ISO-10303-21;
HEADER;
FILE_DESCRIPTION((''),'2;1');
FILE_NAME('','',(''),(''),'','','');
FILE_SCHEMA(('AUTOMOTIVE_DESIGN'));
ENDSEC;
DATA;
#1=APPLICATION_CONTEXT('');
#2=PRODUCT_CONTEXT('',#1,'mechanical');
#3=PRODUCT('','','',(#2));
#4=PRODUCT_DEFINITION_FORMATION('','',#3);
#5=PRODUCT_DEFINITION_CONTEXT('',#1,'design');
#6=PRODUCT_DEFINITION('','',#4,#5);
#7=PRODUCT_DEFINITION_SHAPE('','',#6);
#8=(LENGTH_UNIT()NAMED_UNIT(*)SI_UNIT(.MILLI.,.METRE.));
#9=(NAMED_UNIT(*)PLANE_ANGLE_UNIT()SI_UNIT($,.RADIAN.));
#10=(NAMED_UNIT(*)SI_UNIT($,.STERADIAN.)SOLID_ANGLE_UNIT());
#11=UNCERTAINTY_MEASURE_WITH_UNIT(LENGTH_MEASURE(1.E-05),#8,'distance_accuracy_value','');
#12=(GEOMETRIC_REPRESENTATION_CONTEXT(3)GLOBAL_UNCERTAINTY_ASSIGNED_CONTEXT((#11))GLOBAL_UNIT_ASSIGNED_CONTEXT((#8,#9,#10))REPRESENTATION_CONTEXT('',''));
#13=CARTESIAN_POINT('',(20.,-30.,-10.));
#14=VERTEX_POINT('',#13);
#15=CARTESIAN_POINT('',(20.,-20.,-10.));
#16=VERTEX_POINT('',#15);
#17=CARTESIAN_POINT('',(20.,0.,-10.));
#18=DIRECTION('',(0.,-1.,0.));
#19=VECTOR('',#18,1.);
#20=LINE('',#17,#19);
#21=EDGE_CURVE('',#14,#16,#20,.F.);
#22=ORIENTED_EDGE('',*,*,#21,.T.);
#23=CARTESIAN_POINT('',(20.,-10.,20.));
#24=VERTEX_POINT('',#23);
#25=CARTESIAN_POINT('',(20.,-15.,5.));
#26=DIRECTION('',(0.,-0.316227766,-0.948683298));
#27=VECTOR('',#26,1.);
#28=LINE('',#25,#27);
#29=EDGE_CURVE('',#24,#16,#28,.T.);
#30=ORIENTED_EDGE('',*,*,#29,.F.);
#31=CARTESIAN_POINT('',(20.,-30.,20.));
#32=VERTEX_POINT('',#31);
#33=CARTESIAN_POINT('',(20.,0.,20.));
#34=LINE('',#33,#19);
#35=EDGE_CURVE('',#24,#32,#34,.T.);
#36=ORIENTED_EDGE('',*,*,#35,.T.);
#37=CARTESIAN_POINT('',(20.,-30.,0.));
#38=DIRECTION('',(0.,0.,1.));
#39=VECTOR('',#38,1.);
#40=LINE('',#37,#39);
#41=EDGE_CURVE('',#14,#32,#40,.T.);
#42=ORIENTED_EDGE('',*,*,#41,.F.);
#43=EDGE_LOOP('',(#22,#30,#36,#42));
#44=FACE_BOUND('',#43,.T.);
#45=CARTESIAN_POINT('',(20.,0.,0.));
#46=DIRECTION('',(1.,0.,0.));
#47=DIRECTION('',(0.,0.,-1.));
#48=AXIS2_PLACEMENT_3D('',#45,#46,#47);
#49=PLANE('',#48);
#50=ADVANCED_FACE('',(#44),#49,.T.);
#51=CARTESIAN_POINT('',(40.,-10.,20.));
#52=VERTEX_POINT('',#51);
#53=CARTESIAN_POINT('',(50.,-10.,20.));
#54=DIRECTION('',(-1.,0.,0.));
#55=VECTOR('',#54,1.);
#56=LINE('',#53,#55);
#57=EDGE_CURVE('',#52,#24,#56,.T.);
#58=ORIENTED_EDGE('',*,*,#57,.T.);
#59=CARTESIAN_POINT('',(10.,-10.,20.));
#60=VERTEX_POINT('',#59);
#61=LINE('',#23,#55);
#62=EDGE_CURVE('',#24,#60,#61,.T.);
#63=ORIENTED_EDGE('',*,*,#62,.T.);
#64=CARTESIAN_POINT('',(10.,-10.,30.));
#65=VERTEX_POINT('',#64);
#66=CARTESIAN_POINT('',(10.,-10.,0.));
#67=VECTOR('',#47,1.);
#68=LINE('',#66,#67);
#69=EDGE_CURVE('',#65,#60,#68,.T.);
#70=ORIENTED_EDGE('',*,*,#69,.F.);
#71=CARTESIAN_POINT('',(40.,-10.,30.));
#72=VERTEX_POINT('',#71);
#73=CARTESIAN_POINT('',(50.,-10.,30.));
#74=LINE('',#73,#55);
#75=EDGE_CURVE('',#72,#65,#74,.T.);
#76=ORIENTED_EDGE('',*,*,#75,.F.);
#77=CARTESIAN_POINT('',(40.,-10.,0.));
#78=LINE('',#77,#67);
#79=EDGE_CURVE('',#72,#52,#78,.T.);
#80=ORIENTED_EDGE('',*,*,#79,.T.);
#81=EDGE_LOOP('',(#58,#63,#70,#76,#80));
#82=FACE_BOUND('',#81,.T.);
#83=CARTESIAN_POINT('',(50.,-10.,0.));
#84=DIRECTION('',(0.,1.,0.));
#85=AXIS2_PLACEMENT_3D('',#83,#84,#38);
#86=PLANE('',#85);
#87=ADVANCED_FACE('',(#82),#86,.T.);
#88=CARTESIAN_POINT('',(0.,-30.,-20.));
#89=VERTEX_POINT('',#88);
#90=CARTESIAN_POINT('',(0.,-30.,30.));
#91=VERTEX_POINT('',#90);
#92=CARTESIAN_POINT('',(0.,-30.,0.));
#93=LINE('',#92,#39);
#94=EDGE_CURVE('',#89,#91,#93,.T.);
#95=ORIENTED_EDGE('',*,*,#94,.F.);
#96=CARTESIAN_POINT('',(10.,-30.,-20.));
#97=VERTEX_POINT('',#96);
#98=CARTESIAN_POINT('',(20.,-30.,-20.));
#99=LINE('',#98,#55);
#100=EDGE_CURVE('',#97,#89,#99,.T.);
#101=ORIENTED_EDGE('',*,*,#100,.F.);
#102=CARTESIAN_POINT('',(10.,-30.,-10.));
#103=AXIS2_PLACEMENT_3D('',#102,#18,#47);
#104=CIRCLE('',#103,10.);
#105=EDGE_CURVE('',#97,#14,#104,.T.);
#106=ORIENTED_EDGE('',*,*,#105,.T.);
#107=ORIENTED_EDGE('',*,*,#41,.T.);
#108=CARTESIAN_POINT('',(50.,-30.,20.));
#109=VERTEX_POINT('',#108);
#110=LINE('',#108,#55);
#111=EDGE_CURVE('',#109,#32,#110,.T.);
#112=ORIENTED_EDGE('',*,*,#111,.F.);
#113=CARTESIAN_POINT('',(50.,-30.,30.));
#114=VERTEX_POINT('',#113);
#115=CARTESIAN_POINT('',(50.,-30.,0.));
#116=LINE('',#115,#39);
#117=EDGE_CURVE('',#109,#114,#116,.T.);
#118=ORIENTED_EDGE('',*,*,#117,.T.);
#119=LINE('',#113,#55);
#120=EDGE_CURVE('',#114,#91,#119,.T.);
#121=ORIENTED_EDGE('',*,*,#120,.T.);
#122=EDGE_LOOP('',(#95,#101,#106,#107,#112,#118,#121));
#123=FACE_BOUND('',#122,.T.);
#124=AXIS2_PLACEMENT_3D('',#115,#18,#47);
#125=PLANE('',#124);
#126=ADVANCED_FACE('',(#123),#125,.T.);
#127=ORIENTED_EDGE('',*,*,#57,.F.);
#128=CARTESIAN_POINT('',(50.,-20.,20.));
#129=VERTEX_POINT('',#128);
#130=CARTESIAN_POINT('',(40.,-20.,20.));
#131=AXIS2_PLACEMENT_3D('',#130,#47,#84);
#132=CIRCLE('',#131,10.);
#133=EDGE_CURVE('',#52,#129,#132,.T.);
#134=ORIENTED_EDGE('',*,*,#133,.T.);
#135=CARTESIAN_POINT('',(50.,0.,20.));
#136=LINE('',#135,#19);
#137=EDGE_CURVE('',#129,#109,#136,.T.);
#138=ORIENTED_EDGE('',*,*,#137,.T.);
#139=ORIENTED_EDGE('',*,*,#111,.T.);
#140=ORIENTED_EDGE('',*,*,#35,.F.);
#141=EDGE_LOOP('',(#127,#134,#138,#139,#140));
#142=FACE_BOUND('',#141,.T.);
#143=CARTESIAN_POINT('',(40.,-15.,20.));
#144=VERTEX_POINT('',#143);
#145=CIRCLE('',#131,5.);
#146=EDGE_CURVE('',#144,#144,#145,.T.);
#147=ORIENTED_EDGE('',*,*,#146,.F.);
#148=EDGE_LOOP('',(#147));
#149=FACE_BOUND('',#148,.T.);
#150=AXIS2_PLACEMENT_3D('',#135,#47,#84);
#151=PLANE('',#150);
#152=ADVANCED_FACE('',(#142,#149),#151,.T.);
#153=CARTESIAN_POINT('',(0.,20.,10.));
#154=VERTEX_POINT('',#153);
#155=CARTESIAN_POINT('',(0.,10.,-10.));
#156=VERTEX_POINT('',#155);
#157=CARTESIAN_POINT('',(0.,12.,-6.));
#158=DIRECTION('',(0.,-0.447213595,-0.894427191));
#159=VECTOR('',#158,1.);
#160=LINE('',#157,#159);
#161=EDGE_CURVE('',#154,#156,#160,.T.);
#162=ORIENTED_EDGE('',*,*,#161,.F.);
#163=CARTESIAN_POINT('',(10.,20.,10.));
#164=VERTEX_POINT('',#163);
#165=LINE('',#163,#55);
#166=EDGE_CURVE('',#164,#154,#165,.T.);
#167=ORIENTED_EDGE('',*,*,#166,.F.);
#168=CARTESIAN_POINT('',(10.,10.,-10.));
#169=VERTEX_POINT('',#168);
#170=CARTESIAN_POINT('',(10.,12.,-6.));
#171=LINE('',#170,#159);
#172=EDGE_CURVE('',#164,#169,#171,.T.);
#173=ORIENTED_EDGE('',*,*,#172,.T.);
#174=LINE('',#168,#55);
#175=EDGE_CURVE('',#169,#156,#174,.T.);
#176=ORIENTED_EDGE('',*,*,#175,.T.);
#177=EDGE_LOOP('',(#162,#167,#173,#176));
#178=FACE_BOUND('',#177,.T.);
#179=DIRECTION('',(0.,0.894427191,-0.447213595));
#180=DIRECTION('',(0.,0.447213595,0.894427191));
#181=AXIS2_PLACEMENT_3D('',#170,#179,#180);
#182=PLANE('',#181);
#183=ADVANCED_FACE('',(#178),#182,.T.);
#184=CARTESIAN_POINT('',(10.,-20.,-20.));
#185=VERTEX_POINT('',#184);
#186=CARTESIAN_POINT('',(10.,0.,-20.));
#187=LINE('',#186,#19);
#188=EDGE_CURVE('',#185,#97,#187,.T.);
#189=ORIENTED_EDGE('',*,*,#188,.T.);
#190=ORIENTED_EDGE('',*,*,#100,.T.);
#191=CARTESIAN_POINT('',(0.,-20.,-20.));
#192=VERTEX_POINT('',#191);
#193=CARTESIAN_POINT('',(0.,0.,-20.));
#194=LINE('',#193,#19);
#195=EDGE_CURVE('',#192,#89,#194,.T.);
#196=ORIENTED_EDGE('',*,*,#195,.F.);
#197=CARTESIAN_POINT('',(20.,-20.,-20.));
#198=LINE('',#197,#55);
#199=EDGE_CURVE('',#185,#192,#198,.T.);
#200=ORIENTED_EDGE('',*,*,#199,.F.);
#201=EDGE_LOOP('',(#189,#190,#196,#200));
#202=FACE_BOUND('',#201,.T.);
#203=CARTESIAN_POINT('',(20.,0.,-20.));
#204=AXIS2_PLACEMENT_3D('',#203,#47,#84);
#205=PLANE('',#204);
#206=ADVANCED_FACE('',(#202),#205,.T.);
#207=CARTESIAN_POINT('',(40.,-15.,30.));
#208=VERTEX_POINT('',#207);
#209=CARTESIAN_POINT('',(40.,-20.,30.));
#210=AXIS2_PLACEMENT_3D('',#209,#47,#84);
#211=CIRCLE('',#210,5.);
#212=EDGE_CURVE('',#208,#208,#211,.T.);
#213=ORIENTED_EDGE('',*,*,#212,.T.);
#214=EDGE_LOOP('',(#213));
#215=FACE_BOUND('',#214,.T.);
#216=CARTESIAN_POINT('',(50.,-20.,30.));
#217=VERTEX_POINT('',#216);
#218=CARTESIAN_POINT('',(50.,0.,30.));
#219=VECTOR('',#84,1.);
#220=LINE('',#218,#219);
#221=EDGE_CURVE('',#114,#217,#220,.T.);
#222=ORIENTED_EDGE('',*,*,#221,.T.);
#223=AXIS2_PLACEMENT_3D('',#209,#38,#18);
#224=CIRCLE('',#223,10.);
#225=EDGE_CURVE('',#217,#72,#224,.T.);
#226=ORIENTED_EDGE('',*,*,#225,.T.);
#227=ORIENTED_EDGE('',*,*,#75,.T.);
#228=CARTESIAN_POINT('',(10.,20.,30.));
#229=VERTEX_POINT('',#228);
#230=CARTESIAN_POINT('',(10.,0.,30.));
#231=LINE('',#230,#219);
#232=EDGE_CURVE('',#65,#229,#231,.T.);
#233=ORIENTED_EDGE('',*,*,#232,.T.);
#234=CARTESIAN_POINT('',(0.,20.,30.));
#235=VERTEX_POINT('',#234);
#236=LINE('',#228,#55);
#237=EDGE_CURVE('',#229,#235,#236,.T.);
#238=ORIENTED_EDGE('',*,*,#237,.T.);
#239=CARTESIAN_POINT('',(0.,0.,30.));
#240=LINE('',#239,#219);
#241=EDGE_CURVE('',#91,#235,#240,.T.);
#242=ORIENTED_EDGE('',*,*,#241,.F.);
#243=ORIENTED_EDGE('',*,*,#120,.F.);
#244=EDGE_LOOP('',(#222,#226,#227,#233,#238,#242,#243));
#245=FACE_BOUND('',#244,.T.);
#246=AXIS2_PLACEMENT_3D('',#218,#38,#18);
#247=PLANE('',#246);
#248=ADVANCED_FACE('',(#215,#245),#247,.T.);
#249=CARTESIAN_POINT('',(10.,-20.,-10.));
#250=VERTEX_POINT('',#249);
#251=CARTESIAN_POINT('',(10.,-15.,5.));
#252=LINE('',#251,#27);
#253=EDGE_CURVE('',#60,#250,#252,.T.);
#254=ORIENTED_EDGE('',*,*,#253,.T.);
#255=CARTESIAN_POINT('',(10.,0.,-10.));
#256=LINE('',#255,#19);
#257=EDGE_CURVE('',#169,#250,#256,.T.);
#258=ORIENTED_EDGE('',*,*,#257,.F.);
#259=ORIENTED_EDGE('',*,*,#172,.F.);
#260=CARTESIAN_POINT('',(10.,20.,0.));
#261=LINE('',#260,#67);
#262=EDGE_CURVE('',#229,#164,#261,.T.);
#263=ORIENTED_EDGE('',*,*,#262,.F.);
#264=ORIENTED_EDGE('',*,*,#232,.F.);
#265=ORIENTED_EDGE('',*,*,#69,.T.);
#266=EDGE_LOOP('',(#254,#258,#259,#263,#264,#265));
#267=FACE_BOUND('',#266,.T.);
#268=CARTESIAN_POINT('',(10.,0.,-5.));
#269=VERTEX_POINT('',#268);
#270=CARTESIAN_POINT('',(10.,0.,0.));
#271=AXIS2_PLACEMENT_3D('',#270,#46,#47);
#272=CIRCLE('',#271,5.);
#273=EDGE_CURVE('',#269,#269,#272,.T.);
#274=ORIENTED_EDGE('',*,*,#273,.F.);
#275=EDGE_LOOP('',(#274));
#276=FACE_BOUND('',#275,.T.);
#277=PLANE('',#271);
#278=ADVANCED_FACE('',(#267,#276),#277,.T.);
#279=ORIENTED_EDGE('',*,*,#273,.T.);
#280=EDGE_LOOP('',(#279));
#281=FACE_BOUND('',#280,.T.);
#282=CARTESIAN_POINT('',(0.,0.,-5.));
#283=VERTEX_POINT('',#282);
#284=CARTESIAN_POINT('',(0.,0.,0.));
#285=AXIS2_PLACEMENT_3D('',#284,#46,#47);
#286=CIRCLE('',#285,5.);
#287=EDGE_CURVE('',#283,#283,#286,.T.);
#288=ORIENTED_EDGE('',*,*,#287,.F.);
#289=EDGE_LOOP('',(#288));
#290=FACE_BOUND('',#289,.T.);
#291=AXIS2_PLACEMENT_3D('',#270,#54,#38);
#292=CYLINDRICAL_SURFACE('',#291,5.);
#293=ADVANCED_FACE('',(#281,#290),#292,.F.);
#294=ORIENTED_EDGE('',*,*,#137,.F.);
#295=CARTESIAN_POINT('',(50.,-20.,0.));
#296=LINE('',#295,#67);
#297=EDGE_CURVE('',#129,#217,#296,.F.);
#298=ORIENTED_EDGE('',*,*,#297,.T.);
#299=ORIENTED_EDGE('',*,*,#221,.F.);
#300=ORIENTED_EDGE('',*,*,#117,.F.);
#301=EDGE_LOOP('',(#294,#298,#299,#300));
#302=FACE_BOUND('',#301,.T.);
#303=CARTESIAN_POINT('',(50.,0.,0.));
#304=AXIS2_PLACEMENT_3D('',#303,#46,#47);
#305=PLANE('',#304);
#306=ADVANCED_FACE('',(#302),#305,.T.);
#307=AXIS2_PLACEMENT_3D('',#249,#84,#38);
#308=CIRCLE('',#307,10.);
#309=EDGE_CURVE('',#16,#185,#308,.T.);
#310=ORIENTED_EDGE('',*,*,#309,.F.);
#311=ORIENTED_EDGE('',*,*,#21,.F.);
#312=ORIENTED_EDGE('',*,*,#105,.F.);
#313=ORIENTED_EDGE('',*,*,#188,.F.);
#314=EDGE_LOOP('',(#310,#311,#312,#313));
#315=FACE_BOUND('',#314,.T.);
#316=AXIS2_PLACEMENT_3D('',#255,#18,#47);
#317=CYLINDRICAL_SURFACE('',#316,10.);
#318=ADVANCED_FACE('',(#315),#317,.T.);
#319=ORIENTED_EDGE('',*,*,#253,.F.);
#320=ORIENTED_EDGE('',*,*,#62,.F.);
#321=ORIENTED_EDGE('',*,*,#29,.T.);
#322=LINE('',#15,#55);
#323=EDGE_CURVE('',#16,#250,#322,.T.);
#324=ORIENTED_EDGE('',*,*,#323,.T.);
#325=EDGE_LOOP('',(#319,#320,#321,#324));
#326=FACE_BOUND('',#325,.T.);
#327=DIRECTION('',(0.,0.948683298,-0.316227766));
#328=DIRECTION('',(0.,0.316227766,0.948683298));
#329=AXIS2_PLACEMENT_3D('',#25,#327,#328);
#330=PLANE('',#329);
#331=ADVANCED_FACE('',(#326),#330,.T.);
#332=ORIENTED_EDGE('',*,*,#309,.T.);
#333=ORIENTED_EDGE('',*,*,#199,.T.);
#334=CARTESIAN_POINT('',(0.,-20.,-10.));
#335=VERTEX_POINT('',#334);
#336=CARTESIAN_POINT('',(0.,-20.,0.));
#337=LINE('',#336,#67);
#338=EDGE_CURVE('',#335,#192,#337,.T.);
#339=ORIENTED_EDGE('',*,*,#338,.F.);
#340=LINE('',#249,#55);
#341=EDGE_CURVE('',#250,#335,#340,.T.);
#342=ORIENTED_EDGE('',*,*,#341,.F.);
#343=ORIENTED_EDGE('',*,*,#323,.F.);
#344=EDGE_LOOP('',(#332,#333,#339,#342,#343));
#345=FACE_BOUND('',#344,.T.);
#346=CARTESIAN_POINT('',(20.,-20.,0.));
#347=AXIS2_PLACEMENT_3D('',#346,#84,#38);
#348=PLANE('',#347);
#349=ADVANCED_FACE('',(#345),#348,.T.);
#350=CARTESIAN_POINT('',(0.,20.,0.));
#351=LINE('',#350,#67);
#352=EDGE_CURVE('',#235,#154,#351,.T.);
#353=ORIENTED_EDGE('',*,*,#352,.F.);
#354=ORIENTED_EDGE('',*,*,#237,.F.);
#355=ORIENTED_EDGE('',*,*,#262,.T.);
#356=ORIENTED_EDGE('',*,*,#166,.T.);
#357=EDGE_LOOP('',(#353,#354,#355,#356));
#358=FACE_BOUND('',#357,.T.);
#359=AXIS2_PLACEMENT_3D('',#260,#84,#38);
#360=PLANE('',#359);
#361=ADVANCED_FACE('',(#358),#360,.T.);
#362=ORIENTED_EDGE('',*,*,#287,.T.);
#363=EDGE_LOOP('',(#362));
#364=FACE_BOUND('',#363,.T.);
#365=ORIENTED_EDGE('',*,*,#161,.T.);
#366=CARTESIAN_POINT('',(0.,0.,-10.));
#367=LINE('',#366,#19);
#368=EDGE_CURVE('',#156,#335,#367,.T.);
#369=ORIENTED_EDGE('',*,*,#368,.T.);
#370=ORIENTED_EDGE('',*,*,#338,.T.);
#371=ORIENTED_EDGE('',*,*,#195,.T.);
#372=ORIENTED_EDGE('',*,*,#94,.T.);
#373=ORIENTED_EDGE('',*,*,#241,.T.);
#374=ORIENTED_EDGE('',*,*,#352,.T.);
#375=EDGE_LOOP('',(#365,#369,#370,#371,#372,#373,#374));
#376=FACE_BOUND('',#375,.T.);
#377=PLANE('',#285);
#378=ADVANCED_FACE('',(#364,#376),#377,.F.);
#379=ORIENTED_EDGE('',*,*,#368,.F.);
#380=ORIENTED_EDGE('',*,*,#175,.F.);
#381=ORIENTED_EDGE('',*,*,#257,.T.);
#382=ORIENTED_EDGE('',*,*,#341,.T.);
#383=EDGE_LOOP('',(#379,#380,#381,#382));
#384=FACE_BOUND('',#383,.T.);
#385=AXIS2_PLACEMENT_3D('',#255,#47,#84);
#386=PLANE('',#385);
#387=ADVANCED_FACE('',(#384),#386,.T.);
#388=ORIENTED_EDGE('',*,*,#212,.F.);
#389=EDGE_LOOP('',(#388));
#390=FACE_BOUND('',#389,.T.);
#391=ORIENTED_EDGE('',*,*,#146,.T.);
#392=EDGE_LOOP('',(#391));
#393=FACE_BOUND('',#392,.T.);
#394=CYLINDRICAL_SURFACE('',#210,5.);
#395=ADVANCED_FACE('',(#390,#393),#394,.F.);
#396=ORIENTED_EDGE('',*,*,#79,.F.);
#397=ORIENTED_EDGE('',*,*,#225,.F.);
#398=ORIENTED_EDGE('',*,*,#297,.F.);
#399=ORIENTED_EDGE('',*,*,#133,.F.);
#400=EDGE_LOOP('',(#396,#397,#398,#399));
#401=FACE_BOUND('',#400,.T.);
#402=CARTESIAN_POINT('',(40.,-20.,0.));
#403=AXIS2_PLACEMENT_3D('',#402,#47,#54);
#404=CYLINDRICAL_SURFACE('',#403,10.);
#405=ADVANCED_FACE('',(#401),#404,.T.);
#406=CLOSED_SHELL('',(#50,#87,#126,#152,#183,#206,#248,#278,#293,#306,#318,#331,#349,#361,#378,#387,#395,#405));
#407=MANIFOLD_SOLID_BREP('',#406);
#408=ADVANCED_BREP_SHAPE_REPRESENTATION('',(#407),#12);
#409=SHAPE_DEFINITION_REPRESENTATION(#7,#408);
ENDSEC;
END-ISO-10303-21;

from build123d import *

# Parameters (mm, degrees)
SKETCH1_W           = 10
SKETCH1_H           = 20
BOSS_EXTRUDE1_DEPTH = 50
BOSS_EXTRUDE2_DEPTH = 20
SKETCH1_4_R         = 5
BOSS_EXTRUDE3_DEPTH = 10
FILLET1_R           = 10
SKETCH2_R           = 5
CUT_EXTRUDE1_DEPTH  = 10


with BuildPart() as part:
    # Sketch1 → Boss-Extrude1 (new body)
    with BuildSketch(Plane(origin=(0, 0, 0), x_dir=(0, 0, -1), z_dir=(1, 0, 0))):
        with Locations((-25, -20)):
            Rectangle(SKETCH1_W, SKETCH1_H)
    extrude(amount=BOSS_EXTRUDE1_DEPTH)

    # Sketch1<3> → Boss-Extrude2 (add)
    with BuildSketch(Plane(origin=(0, 0, 0), x_dir=(0, 0, -1), z_dir=(1, 0, 0))):
        Polygon((10, -20), (-20, -10), (-20, -30), (20, -30), (20, -20), align=None)
    extrude(amount=BOSS_EXTRUDE2_DEPTH)

    # Sketch1<4> → Boss-Extrude3 (add)
    with BuildSketch(Plane(origin=(0, 0, 0), x_dir=(0, 0, -1), z_dir=(1, 0, 0))):
        Polygon((-10, 20), (-30, 20), (-30, -10), (-20, -10), (10, -20), (10, 10), align=None)
        Circle(SKETCH1_4_R, mode=Mode.SUBTRACT)
    extrude(amount=BOSS_EXTRUDE3_DEPTH)

    # Fillet1
    fillet1_edges = [part.edges().sort_by_distance(p)[0] for p in [
        (50, -10, 25),
        (20, -25, -20),
    ]]
    fillet(fillet1_edges, radius=FILLET1_R)

    # Sketch2 → Cut-Extrude1 (cut)
    with BuildSketch(Plane(origin=(0, 0, 20), x_dir=(-1, 0, 0), z_dir=(0, 0, -1))):
        with Locations((-40, -20)):
            Circle(SKETCH2_R)
    extrude(amount=-CUT_EXTRUDE1_DEPTH, mode=Mode.SUBTRACT)


solid = part.part
